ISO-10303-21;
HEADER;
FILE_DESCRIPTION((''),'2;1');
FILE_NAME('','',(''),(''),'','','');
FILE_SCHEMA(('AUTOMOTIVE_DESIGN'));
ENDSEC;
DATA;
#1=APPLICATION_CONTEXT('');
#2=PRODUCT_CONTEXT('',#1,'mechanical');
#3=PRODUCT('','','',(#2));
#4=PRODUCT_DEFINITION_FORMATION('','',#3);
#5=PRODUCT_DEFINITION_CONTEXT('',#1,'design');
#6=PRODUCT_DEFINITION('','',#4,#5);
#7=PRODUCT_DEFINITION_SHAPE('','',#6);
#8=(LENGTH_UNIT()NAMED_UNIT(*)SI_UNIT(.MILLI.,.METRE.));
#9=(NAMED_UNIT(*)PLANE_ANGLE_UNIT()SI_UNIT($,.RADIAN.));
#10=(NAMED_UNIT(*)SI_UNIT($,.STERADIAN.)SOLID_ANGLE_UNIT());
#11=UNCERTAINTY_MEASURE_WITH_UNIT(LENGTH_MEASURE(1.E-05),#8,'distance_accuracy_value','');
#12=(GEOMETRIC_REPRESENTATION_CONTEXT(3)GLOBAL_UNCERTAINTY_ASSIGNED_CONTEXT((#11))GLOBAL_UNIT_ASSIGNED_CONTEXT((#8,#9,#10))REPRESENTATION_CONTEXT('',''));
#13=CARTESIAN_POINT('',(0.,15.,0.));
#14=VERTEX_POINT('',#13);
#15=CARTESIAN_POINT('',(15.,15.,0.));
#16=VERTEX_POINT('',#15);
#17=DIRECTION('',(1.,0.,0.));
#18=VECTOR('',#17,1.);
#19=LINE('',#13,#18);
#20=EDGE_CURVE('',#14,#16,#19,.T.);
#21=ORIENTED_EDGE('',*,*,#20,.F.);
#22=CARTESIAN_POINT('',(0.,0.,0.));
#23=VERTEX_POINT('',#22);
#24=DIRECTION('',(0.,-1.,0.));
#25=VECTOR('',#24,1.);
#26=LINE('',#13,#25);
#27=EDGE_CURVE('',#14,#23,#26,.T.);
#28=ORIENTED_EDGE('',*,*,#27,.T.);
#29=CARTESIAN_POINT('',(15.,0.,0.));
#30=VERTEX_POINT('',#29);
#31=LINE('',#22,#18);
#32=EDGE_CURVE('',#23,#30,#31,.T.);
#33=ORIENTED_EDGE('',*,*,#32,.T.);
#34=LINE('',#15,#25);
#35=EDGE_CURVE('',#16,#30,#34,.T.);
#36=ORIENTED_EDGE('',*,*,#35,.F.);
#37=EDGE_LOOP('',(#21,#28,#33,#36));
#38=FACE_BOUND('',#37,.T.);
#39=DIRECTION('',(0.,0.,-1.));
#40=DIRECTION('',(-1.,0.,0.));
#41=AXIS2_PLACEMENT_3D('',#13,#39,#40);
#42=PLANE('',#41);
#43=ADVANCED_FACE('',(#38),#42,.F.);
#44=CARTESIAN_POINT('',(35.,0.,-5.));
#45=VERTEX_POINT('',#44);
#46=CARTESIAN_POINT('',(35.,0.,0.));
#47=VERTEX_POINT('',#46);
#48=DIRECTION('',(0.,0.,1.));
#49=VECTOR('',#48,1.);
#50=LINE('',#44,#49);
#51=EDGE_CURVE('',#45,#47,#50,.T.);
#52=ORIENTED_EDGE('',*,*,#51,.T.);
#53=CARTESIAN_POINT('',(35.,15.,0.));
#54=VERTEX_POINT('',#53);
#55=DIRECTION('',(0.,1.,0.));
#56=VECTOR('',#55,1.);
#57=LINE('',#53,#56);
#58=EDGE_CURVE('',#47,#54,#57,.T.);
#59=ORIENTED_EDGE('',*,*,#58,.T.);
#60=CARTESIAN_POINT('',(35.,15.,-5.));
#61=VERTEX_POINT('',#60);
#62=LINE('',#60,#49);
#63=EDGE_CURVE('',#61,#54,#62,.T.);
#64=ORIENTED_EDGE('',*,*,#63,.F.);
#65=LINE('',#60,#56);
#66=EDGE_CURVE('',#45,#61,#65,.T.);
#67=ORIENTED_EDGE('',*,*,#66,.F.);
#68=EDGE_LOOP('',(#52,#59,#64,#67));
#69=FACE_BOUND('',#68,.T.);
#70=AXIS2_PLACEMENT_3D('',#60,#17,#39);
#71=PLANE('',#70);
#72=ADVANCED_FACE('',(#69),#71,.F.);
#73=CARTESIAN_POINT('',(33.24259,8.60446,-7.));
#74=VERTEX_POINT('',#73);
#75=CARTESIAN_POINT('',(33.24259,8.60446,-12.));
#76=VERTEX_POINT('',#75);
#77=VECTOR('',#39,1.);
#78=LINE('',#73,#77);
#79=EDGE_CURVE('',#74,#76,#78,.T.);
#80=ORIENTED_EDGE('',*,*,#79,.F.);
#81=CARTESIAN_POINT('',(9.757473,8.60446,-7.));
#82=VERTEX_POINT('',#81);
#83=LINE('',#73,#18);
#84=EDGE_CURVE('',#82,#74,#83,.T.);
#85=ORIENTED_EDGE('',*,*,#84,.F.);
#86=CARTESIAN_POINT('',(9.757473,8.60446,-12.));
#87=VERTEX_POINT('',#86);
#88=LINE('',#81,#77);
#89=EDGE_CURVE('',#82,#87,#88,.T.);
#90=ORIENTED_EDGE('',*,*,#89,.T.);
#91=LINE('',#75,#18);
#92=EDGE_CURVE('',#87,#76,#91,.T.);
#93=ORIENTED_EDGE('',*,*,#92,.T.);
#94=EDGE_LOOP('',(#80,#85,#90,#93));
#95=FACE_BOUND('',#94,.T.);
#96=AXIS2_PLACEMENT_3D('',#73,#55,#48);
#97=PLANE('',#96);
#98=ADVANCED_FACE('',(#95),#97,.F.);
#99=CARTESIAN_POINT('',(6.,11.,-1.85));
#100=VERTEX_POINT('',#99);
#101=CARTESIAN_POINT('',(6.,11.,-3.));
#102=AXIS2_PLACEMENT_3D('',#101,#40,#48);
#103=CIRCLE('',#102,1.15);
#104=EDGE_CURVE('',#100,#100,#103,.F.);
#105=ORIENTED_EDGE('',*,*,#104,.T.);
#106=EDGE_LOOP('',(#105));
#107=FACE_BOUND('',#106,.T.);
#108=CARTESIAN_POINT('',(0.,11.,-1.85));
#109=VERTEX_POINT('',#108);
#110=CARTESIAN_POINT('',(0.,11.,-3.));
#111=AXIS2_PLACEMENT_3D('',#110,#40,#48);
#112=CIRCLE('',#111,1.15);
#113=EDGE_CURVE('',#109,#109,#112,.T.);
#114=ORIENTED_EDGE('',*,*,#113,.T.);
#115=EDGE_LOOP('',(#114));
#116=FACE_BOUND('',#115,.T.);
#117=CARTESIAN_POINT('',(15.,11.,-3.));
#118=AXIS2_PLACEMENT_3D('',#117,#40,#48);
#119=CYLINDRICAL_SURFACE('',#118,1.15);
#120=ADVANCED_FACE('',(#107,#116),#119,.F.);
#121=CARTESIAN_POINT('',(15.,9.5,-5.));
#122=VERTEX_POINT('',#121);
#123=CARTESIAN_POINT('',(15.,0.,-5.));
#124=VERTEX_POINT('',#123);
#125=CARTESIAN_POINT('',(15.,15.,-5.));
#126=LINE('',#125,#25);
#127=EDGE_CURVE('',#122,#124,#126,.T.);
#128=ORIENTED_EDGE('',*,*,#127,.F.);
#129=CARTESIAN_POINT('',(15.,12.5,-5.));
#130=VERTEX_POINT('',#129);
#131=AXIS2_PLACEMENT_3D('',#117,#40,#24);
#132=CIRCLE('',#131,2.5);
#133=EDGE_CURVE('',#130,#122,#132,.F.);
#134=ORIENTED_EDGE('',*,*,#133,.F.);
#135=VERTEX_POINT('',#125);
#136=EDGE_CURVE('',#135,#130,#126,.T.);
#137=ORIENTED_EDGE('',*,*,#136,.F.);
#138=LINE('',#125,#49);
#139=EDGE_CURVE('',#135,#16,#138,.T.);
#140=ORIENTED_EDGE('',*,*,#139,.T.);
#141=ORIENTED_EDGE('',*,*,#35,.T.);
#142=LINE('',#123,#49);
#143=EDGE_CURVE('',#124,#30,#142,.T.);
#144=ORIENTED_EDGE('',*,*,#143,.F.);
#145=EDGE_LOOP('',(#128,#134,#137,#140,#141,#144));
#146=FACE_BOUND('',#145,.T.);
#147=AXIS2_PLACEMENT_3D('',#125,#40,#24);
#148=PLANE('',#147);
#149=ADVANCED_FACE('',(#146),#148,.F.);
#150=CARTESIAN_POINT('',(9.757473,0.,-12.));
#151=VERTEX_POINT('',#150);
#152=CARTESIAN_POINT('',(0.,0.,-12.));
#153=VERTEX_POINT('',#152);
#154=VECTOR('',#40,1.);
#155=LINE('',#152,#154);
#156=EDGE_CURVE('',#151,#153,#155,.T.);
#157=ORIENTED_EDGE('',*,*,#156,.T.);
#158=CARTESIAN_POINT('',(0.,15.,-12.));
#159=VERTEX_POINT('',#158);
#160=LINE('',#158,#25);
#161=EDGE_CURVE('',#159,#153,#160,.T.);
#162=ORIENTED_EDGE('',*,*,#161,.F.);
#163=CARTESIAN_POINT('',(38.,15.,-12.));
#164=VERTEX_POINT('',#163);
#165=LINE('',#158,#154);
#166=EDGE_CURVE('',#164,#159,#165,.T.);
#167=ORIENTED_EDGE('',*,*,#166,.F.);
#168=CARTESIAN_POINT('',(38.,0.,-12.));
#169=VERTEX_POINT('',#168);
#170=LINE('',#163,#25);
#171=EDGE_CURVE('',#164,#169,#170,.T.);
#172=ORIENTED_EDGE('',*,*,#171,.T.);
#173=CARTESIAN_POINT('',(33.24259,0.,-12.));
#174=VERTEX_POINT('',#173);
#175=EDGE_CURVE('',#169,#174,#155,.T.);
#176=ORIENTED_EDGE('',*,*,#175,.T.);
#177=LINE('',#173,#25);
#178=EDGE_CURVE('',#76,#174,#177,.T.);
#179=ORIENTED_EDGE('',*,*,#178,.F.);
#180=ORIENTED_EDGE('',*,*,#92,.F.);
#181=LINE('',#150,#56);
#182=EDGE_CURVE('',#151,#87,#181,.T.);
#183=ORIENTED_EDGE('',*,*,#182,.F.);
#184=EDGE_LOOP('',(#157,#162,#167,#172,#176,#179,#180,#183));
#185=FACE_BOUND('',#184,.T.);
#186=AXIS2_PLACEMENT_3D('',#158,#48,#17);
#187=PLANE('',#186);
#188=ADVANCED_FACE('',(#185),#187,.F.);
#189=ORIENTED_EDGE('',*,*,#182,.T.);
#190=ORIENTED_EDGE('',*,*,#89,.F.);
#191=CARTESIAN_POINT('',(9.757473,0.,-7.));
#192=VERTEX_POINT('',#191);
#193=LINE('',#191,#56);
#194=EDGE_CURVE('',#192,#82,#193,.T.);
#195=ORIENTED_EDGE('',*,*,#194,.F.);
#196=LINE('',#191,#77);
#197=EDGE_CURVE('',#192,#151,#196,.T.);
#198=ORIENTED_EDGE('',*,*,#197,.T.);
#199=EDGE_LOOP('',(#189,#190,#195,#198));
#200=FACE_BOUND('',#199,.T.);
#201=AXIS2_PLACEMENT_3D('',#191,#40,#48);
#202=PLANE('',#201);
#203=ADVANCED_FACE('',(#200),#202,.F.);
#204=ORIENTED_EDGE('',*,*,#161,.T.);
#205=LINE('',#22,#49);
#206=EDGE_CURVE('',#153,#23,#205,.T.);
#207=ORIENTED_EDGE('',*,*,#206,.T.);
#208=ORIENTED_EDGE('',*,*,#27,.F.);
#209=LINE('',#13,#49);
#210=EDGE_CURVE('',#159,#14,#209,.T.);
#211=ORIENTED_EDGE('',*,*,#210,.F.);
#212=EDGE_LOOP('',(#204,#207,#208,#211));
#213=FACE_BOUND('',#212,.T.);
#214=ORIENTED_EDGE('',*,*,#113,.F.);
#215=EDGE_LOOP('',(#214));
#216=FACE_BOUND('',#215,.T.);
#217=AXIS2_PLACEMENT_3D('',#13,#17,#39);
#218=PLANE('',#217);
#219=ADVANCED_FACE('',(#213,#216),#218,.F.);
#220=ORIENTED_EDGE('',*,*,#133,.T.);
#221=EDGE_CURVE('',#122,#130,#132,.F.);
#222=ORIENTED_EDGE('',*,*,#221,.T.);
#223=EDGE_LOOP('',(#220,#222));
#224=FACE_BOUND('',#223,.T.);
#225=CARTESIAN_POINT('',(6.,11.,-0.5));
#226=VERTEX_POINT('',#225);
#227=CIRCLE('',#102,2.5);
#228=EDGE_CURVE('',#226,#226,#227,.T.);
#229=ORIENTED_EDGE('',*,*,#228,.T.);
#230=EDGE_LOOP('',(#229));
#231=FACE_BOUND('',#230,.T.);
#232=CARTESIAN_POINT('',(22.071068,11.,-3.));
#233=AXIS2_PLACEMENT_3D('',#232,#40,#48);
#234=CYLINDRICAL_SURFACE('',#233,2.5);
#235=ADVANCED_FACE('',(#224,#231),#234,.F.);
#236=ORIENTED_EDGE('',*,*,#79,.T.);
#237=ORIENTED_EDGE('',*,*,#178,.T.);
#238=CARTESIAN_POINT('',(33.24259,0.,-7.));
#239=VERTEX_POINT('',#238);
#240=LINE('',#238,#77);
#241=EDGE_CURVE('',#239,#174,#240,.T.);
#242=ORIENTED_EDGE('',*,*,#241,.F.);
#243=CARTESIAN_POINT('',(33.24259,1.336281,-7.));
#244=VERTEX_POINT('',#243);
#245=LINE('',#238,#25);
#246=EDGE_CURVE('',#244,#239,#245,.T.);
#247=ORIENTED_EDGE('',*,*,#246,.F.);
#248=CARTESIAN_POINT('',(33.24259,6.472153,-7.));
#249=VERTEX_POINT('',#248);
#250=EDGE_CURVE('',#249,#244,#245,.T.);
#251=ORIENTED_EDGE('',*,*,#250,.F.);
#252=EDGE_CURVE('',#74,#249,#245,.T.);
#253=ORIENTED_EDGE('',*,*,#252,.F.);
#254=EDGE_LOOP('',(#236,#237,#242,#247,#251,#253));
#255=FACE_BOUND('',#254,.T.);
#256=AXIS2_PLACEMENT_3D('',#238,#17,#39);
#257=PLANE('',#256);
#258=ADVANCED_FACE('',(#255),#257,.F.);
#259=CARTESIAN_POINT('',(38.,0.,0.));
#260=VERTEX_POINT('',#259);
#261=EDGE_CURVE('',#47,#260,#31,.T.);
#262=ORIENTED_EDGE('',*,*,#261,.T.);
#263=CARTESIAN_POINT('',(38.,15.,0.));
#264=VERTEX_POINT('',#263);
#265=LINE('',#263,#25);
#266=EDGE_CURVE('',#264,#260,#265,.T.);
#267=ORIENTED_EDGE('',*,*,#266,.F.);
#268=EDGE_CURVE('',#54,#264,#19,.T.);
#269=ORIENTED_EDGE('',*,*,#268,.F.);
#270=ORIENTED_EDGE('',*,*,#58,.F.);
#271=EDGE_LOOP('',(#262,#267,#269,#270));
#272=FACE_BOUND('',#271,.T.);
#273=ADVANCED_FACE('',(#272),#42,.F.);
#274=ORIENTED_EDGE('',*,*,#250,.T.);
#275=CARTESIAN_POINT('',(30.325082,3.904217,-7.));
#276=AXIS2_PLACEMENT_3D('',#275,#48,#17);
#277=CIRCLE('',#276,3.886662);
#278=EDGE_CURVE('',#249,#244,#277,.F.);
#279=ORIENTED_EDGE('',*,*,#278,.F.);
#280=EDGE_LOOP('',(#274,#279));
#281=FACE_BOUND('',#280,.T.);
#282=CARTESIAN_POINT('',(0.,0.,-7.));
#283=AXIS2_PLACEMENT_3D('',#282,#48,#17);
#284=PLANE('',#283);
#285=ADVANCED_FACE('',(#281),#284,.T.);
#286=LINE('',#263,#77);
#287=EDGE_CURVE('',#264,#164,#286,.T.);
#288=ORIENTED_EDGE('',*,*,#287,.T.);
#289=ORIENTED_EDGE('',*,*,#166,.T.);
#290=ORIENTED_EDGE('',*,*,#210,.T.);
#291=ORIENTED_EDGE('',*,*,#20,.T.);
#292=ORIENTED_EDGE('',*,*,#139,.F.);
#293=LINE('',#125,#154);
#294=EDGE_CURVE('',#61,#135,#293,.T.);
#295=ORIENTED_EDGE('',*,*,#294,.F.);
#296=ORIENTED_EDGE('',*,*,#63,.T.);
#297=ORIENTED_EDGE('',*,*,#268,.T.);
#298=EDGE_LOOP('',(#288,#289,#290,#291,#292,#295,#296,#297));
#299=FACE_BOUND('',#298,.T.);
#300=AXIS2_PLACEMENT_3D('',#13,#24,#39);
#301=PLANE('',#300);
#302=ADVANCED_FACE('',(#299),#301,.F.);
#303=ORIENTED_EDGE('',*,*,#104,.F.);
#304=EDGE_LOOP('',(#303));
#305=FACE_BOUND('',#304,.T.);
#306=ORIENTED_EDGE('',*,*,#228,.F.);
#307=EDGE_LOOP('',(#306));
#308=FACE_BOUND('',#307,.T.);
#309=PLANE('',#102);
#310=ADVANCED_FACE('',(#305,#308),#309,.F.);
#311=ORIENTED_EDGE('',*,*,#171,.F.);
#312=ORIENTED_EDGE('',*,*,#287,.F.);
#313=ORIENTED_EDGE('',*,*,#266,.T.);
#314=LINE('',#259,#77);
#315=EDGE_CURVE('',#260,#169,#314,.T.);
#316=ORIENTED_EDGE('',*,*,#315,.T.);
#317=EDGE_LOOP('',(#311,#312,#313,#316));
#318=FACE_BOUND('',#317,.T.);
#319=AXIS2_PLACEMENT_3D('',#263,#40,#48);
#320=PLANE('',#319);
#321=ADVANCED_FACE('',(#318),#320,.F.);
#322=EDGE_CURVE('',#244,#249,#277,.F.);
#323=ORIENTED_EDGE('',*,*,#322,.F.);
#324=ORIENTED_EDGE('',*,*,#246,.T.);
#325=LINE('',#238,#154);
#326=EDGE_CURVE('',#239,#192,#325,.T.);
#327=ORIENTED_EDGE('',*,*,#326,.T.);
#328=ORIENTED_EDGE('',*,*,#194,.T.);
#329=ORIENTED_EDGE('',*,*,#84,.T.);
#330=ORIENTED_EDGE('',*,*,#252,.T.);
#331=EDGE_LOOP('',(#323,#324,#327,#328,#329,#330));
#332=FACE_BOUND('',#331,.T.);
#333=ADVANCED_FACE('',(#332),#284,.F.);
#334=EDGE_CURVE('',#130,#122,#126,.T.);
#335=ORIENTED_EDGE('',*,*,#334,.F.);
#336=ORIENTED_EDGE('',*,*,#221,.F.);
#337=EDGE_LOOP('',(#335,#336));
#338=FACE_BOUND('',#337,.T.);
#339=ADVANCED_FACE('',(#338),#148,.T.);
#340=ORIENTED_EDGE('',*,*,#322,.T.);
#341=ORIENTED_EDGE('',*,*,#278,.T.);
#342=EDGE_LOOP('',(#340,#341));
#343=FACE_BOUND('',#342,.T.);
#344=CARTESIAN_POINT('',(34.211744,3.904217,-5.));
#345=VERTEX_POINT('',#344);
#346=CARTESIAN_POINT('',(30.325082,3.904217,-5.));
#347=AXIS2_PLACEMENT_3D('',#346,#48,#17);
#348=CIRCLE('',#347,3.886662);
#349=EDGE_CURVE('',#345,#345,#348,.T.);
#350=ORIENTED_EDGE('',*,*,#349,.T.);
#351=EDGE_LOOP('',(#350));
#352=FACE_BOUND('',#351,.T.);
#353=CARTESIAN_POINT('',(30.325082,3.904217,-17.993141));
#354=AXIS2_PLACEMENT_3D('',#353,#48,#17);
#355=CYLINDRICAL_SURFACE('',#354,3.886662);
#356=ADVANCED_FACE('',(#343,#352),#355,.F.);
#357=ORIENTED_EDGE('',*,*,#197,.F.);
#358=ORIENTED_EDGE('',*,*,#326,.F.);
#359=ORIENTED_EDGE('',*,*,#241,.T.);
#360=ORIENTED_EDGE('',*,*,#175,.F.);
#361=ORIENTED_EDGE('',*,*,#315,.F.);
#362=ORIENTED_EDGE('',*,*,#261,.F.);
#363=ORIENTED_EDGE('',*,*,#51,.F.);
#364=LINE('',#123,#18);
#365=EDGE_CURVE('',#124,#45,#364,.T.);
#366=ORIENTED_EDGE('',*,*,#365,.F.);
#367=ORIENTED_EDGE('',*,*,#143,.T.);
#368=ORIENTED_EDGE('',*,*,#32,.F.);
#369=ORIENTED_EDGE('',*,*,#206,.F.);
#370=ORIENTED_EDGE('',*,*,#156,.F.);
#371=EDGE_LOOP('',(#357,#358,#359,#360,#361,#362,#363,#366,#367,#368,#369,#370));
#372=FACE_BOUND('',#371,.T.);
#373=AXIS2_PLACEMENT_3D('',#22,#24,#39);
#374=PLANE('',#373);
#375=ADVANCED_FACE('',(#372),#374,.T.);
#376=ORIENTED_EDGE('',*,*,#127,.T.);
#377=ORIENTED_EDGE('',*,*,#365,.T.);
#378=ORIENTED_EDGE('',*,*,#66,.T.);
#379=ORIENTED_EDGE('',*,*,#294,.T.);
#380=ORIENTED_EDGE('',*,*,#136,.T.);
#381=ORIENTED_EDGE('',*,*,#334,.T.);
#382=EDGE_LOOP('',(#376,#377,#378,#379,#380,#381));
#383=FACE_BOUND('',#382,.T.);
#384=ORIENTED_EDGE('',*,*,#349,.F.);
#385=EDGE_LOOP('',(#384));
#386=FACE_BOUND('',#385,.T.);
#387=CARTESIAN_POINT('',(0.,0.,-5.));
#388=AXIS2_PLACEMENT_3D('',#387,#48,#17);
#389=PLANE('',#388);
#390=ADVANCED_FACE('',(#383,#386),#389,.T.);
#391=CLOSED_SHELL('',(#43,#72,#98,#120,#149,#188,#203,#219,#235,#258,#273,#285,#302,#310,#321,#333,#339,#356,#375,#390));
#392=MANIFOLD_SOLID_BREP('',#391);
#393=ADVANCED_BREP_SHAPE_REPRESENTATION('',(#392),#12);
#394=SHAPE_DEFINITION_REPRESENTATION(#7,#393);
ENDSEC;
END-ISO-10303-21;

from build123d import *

# Parameters (mm, degrees)
SKETCH1_W           = 38
SKETCH1_H           = 12
BOSS_EXTRUDE1_DEPTH = 15
SKETCH2_R           = 1.15
CUT_EXTRUDE1_DEPTH  = 15
SKETCH3_W           = 20
SKETCH3_H           = 15
CUT_EXTRUDE2_DEPTH  = 5
CUT_EXTRUDE3_START  = -6
SKETCH2_3_R         = 2.5
CUT_EXTRUDE3_DEPTH  = 9
SKETCH4_W           = 23.485116632
SKETCH4_H           = 8.604460082
CUT_EXTRUDE4_DEPTH  = 5
SKETCH5_R           = 3.886662334
CUT_EXTRUDE5_DEPTH  = 2


with BuildPart() as part:
    # Sketch1 → Boss-Extrude1 (new body)
    with BuildSketch(Plane(origin=(0, 0, 0), x_dir=(1, 0, 0), z_dir=(0, 1, 0))):
        with Locations((19, 6)):
            Rectangle(SKETCH1_W, SKETCH1_H)
    extrude(amount=BOSS_EXTRUDE1_DEPTH)

    # Sketch2 → Cut-Extrude1 (cut)
    with BuildSketch(Plane.ZY):
        with Locations((-3, 11)):
            Circle(SKETCH2_R)
    extrude(amount=-CUT_EXTRUDE1_DEPTH, mode=Mode.SUBTRACT)

    # Sketch3 → Cut-Extrude2 (cut)
    with BuildSketch(Plane.XY):
        with Locations((25, 7.5)):
            Rectangle(SKETCH3_W, SKETCH3_H)
    extrude(amount=-CUT_EXTRUDE2_DEPTH, mode=Mode.SUBTRACT)

    # Sketch2<3> → Cut-Extrude3 (cut)
    with BuildSketch(Plane.ZY.offset(CUT_EXTRUDE3_START)):
        with Locations((-3, 11)):
            Circle(SKETCH2_3_R)
    extrude(amount=-CUT_EXTRUDE3_DEPTH, mode=Mode.SUBTRACT)

    # Sketch4 → Cut-Extrude4 (cut)
    with BuildSketch(Plane(origin=(0, 0, -12), x_dir=(-1, 0, 0), z_dir=(0, 0, -1))):
        with Locations((-21.50003141, 4.302230041)):
            Rectangle(SKETCH4_W, SKETCH4_H)
    extrude(amount=-CUT_EXTRUDE4_DEPTH, mode=Mode.SUBTRACT)

    # Sketch5 → Cut-Extrude5 (cut)
    with BuildSketch(Plane.XY.offset(-5)):
        with Locations((30.325082157, 3.904217079)):
            Circle(SKETCH5_R)
    extrude(amount=-CUT_EXTRUDE5_DEPTH, mode=Mode.SUBTRACT)


solid = part.part
